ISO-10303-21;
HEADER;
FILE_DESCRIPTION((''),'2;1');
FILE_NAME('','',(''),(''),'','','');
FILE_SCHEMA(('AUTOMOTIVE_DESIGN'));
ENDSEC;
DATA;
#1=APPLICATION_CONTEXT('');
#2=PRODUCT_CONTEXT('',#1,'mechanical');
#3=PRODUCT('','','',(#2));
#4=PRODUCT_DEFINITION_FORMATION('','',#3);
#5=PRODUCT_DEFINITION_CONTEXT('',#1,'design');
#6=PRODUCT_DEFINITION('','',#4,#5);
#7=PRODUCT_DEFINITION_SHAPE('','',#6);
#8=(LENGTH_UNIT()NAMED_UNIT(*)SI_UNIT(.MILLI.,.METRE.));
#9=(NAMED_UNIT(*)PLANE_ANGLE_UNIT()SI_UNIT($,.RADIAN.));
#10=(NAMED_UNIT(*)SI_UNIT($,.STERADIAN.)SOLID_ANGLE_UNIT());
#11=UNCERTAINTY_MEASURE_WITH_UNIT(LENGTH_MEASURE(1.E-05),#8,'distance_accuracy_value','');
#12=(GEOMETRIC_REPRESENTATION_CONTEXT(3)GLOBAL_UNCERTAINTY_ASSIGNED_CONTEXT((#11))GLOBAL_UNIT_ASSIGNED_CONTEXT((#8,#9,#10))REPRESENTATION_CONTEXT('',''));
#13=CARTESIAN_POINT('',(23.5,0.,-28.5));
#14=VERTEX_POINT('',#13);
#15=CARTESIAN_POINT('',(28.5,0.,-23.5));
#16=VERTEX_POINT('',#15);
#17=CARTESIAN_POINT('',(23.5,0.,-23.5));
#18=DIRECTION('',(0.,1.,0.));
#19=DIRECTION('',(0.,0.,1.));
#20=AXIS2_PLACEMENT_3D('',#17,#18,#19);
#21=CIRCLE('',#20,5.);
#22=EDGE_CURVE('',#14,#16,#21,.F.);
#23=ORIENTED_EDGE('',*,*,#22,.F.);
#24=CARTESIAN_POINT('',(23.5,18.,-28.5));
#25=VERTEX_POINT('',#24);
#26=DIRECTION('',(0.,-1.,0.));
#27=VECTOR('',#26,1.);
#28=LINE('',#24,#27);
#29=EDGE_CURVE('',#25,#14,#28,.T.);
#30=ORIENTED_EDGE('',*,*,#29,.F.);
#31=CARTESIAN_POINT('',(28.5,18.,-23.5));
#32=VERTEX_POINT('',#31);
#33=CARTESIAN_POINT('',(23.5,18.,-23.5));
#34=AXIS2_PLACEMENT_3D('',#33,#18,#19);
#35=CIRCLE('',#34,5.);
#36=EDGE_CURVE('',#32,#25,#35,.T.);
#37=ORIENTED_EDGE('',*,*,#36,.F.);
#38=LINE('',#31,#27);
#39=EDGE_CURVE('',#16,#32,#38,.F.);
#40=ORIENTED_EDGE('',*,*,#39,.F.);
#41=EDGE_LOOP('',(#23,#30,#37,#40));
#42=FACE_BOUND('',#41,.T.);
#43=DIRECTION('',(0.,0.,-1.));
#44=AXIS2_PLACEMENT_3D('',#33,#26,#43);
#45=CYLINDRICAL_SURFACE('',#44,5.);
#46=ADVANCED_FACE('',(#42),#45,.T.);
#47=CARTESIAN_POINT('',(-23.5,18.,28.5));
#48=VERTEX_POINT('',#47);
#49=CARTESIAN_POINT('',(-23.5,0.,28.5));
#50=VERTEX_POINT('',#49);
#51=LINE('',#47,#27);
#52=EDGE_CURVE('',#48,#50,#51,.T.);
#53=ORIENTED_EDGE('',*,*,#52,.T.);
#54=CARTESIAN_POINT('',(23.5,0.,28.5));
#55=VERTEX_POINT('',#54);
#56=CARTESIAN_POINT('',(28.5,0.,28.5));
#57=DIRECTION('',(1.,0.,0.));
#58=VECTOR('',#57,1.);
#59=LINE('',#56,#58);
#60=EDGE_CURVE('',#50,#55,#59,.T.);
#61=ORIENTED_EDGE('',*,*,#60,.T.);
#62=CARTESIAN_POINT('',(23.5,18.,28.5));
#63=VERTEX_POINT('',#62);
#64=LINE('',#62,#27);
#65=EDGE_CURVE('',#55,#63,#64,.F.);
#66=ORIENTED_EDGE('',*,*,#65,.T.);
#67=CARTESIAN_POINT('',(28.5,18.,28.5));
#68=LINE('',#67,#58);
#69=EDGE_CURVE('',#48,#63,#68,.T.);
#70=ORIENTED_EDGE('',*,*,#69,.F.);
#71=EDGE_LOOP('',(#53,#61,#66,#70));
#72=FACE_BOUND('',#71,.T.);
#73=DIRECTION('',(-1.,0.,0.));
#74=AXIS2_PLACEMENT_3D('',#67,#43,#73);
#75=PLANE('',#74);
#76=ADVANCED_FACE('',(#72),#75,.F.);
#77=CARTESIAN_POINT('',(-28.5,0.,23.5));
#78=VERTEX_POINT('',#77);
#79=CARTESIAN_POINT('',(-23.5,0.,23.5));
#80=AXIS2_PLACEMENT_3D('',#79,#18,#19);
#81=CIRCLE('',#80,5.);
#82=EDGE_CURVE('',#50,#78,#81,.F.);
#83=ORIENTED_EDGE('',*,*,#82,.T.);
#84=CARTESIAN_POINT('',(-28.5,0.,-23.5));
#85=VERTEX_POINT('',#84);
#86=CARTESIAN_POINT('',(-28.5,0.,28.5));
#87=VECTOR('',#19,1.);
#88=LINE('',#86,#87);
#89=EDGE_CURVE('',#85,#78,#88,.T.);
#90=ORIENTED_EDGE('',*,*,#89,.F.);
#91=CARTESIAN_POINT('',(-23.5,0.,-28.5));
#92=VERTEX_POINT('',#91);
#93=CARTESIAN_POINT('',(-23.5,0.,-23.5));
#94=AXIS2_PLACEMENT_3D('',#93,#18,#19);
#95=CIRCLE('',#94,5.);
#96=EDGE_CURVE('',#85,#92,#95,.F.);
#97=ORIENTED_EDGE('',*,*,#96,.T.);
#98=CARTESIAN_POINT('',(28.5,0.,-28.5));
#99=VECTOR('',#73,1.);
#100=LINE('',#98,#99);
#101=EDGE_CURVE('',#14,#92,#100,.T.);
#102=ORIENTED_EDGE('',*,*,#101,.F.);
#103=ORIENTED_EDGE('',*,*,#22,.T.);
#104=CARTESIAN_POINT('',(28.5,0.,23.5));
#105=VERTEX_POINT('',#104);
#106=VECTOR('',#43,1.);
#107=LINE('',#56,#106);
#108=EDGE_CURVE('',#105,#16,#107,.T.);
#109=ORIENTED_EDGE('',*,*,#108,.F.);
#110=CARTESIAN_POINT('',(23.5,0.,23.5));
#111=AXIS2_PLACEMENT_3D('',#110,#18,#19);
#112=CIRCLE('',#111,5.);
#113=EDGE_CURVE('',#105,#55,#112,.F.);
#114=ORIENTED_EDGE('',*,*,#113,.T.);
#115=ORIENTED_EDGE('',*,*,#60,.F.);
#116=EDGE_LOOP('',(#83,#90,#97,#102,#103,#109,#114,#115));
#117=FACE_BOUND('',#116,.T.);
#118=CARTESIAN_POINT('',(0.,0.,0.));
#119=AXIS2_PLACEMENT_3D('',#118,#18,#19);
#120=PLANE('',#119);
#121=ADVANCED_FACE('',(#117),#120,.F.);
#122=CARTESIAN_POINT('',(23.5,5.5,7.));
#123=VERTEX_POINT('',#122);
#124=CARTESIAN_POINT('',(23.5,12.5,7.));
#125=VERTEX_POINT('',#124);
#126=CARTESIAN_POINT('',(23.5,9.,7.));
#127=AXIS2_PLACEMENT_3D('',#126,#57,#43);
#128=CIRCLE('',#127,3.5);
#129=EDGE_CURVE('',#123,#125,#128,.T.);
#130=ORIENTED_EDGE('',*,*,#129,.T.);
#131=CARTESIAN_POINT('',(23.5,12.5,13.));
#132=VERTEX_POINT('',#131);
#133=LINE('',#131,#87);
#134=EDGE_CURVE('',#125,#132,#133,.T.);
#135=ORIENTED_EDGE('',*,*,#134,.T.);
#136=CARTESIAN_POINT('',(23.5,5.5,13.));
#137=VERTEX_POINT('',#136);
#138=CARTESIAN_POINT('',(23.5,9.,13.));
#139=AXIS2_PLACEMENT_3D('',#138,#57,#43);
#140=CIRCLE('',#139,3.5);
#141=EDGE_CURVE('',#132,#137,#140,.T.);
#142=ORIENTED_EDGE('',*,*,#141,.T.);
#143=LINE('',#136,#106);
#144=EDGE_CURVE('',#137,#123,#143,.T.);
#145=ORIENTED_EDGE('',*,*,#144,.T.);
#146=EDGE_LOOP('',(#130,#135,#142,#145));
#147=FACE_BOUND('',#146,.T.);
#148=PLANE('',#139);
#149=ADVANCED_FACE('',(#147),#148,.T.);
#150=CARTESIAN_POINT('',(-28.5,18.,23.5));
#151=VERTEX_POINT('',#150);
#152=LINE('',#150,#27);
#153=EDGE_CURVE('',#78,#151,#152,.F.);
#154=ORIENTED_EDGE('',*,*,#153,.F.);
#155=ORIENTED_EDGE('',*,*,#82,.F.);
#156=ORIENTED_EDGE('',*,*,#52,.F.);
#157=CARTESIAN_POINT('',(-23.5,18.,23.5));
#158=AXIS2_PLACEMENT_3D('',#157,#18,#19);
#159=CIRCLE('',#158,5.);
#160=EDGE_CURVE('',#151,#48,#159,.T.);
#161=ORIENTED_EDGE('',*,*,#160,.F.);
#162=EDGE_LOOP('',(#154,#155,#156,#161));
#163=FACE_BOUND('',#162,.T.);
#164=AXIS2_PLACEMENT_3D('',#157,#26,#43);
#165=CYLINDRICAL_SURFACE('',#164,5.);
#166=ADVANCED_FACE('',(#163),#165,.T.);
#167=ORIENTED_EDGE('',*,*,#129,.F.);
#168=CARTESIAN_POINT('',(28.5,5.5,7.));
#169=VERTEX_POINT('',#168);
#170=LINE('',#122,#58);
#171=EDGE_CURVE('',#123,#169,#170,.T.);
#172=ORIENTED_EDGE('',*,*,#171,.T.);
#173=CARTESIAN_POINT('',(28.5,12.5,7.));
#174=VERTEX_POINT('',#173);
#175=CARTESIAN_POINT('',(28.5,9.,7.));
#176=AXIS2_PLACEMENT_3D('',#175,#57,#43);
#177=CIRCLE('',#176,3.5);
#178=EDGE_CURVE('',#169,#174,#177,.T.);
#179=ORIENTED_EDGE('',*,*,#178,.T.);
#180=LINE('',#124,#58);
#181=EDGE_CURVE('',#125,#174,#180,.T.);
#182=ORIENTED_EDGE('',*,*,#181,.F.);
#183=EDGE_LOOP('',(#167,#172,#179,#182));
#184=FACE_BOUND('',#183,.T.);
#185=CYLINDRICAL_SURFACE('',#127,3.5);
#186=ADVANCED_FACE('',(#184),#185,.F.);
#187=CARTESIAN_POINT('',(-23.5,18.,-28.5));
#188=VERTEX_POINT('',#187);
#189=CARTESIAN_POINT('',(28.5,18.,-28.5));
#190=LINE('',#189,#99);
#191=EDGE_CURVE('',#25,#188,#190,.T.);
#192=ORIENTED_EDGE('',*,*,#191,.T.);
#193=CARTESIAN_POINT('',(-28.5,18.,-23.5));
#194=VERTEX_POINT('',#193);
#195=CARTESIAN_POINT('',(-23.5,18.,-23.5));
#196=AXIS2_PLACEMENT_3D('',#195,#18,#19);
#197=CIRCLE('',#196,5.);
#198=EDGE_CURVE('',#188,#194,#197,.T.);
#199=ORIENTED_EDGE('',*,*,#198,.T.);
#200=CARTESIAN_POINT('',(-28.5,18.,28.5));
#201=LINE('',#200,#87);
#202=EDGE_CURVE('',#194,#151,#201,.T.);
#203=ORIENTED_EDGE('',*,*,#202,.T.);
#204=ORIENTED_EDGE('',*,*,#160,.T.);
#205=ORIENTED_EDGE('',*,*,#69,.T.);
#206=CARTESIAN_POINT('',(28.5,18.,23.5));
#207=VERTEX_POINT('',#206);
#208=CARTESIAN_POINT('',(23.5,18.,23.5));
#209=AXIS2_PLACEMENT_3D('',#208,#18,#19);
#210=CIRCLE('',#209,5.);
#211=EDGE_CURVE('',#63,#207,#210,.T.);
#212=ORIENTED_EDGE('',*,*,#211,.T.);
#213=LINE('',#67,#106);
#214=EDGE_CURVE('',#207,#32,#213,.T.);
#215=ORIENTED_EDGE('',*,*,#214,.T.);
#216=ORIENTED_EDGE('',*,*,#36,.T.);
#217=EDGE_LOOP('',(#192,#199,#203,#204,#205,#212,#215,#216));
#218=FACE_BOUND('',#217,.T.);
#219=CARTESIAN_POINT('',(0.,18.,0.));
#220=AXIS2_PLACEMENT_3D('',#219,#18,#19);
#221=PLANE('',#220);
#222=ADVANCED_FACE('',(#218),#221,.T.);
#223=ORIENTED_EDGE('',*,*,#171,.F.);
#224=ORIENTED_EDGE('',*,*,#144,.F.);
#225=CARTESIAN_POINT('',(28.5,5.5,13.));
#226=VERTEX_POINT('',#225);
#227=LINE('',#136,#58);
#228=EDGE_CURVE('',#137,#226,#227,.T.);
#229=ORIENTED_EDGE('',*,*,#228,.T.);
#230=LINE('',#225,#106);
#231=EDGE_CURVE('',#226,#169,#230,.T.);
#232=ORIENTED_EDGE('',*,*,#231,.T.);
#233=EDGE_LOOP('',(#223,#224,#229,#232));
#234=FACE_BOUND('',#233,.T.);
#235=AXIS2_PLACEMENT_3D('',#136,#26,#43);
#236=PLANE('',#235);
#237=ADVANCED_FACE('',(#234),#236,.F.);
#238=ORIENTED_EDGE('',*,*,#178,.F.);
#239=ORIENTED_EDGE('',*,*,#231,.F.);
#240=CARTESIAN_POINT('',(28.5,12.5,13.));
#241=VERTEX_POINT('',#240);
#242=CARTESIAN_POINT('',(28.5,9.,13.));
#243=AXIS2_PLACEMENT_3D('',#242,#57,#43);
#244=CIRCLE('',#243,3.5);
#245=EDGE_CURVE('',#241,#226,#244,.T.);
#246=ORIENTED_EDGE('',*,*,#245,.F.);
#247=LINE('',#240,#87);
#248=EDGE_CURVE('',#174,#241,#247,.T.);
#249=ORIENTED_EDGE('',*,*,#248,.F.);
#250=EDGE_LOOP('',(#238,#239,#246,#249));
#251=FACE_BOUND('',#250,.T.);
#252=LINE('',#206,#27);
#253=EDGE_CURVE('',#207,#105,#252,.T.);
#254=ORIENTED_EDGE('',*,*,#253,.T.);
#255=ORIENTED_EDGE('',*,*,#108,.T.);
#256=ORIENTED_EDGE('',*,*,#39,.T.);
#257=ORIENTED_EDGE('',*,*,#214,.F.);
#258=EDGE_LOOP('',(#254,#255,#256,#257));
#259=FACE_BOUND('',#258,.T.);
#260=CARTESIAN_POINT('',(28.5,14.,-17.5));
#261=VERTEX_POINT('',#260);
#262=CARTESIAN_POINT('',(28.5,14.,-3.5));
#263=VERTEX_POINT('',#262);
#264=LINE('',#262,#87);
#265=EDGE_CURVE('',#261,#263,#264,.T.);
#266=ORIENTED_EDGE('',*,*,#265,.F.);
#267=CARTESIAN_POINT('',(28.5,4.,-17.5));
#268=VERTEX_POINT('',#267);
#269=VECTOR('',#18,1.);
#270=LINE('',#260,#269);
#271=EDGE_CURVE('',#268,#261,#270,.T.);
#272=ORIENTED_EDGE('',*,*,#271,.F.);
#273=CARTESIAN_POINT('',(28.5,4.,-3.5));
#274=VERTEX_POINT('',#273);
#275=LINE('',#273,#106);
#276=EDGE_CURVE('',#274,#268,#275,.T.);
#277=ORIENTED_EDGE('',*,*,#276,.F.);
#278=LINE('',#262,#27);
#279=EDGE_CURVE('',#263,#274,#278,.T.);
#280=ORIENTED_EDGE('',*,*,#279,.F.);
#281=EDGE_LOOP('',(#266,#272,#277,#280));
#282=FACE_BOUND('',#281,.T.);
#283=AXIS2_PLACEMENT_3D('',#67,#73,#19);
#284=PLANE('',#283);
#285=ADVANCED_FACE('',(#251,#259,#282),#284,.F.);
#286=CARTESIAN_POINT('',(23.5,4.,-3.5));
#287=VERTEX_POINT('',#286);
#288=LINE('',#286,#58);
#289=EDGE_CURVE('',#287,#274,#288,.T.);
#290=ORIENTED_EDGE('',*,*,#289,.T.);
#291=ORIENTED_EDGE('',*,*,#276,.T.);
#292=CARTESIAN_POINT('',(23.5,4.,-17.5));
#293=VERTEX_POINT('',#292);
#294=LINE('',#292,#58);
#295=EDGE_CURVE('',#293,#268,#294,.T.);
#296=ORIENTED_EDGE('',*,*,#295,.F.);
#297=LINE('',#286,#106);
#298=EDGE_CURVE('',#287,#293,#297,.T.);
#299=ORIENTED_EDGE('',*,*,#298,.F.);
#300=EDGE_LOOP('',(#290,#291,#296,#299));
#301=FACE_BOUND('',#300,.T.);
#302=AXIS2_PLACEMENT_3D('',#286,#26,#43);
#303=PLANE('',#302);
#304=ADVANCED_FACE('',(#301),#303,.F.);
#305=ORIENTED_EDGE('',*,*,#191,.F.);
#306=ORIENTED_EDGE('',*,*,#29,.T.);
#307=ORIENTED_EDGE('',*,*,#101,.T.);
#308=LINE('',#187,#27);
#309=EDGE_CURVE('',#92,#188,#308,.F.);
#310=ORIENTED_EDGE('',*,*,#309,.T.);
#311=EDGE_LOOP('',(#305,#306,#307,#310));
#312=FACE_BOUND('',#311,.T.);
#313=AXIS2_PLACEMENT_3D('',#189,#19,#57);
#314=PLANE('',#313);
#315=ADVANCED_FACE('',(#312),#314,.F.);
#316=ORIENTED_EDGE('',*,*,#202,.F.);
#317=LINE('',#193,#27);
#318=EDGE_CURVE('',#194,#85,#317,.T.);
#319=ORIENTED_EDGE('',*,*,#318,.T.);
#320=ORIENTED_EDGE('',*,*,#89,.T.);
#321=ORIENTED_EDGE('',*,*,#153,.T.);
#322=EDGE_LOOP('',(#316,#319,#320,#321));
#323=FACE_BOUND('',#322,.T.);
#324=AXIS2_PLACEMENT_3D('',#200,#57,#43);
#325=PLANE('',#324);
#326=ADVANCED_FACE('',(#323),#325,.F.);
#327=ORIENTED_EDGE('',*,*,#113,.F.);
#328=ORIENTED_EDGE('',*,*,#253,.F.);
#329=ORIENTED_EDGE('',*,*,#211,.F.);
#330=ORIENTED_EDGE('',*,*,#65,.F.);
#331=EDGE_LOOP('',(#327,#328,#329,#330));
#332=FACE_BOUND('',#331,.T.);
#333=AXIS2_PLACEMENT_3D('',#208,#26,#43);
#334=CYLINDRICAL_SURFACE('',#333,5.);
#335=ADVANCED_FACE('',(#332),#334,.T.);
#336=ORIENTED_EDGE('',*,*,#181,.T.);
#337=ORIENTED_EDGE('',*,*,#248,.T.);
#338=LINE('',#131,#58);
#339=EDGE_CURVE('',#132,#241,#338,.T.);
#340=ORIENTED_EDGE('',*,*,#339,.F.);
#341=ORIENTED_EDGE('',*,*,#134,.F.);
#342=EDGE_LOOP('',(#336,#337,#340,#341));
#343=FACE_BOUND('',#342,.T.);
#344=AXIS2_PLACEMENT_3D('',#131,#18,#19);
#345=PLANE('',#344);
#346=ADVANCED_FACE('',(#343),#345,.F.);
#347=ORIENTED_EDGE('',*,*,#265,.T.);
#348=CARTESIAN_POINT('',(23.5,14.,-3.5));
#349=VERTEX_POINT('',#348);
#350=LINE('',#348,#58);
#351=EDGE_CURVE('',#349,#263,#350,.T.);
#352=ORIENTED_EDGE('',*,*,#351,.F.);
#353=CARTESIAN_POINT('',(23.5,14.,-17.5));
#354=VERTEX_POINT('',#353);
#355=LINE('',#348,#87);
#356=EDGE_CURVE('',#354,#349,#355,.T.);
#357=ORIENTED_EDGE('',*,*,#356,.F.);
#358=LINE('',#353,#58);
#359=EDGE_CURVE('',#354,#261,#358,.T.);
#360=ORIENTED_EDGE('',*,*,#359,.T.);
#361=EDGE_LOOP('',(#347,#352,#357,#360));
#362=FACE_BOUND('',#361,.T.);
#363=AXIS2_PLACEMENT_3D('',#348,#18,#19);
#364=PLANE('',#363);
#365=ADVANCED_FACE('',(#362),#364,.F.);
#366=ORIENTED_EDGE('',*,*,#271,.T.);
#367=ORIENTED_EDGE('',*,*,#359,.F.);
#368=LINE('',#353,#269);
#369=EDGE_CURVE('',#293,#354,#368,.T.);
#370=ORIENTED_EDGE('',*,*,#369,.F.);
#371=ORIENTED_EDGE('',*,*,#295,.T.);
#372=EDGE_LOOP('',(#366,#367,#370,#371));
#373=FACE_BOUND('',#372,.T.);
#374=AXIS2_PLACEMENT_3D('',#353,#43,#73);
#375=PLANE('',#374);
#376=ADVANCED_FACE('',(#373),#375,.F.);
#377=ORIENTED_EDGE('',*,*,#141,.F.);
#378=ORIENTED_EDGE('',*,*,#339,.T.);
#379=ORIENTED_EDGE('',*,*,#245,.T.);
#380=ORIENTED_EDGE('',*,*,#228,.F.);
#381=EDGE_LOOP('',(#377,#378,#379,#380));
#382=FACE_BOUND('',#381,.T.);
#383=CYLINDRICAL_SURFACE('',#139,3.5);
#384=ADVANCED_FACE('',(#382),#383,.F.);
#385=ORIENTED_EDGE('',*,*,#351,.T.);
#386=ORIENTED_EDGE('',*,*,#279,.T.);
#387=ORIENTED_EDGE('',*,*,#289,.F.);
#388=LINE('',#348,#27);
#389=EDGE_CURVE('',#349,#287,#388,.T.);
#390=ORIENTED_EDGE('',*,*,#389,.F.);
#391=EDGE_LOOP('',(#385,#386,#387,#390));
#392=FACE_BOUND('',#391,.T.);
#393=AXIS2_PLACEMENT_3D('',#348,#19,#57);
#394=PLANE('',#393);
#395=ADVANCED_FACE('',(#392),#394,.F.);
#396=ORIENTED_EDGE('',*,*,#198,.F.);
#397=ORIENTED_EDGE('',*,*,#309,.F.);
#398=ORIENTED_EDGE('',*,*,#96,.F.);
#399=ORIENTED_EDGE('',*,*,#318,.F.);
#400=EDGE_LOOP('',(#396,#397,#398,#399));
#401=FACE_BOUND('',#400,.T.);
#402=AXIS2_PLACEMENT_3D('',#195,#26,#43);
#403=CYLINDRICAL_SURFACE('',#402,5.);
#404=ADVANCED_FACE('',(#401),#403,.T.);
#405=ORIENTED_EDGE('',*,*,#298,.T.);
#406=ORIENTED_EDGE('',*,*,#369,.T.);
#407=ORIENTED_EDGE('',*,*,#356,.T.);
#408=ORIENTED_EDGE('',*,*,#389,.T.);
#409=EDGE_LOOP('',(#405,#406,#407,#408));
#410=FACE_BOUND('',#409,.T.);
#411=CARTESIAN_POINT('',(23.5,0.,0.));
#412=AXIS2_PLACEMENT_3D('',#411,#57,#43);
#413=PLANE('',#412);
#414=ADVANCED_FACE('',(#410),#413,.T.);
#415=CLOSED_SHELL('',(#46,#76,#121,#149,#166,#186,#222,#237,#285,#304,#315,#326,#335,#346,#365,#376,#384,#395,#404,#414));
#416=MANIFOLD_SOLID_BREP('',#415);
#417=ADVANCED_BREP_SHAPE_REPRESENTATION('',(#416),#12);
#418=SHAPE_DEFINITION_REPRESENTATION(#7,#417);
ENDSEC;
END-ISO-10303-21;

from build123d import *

# Parameters (mm, degrees)
CROQUIS1_W              = 57
CROQUIS1_H              = 57
SALIENTE_EXTRUIR1_DEPTH = 18
REDONDEO1_R             = 5
CROQUIS2_W              = 14
CROQUIS2_H              = 10
CORTAR_EXTRUIR1_DEPTH   = 5


with BuildPart() as part:
    # Croquis1 → Saliente-Extruir1 (new body)
    with BuildSketch(Plane(origin=(0, 0, 0), x_dir=(1, 0, 0), z_dir=(0, 1, 0))):
        Rectangle(CROQUIS1_W, CROQUIS1_H)
    extrude(amount=SALIENTE_EXTRUIR1_DEPTH)

    # Redondeo1
    redondeo1_edges = [part.edges().sort_by_distance(p)[0] for p in [
        (-28.5, 9, -28.5),
        (28.5, 9, -28.5),
        (28.5, 9, 28.5),
        (-28.5, 9, 28.5),
    ]]
    fillet(redondeo1_edges, radius=REDONDEO1_R)

    # Croquis2 → Cortar-Extruir1 (cut)
    with BuildSketch(Plane(origin=(28.5, 0, 0), x_dir=(0, 0, -1), z_dir=(1, 0, 0))):
        with BuildLine():
            Line((-13, 12.5), (-7, 12.5))
            ThreePointArc((-7, 12.5), (-3.5, 9), (-7, 5.5))
            Line((-7, 5.5), (-13, 5.5))
            ThreePointArc((-13, 5.5), (-16.5, 9), (-13, 12.5))
        make_face()
        with Locations((10.5, 9)):
            Rectangle(CROQUIS2_W, CROQUIS2_H)
    extrude(amount=-CORTAR_EXTRUIR1_DEPTH, mode=Mode.SUBTRACT)


solid = part.part
